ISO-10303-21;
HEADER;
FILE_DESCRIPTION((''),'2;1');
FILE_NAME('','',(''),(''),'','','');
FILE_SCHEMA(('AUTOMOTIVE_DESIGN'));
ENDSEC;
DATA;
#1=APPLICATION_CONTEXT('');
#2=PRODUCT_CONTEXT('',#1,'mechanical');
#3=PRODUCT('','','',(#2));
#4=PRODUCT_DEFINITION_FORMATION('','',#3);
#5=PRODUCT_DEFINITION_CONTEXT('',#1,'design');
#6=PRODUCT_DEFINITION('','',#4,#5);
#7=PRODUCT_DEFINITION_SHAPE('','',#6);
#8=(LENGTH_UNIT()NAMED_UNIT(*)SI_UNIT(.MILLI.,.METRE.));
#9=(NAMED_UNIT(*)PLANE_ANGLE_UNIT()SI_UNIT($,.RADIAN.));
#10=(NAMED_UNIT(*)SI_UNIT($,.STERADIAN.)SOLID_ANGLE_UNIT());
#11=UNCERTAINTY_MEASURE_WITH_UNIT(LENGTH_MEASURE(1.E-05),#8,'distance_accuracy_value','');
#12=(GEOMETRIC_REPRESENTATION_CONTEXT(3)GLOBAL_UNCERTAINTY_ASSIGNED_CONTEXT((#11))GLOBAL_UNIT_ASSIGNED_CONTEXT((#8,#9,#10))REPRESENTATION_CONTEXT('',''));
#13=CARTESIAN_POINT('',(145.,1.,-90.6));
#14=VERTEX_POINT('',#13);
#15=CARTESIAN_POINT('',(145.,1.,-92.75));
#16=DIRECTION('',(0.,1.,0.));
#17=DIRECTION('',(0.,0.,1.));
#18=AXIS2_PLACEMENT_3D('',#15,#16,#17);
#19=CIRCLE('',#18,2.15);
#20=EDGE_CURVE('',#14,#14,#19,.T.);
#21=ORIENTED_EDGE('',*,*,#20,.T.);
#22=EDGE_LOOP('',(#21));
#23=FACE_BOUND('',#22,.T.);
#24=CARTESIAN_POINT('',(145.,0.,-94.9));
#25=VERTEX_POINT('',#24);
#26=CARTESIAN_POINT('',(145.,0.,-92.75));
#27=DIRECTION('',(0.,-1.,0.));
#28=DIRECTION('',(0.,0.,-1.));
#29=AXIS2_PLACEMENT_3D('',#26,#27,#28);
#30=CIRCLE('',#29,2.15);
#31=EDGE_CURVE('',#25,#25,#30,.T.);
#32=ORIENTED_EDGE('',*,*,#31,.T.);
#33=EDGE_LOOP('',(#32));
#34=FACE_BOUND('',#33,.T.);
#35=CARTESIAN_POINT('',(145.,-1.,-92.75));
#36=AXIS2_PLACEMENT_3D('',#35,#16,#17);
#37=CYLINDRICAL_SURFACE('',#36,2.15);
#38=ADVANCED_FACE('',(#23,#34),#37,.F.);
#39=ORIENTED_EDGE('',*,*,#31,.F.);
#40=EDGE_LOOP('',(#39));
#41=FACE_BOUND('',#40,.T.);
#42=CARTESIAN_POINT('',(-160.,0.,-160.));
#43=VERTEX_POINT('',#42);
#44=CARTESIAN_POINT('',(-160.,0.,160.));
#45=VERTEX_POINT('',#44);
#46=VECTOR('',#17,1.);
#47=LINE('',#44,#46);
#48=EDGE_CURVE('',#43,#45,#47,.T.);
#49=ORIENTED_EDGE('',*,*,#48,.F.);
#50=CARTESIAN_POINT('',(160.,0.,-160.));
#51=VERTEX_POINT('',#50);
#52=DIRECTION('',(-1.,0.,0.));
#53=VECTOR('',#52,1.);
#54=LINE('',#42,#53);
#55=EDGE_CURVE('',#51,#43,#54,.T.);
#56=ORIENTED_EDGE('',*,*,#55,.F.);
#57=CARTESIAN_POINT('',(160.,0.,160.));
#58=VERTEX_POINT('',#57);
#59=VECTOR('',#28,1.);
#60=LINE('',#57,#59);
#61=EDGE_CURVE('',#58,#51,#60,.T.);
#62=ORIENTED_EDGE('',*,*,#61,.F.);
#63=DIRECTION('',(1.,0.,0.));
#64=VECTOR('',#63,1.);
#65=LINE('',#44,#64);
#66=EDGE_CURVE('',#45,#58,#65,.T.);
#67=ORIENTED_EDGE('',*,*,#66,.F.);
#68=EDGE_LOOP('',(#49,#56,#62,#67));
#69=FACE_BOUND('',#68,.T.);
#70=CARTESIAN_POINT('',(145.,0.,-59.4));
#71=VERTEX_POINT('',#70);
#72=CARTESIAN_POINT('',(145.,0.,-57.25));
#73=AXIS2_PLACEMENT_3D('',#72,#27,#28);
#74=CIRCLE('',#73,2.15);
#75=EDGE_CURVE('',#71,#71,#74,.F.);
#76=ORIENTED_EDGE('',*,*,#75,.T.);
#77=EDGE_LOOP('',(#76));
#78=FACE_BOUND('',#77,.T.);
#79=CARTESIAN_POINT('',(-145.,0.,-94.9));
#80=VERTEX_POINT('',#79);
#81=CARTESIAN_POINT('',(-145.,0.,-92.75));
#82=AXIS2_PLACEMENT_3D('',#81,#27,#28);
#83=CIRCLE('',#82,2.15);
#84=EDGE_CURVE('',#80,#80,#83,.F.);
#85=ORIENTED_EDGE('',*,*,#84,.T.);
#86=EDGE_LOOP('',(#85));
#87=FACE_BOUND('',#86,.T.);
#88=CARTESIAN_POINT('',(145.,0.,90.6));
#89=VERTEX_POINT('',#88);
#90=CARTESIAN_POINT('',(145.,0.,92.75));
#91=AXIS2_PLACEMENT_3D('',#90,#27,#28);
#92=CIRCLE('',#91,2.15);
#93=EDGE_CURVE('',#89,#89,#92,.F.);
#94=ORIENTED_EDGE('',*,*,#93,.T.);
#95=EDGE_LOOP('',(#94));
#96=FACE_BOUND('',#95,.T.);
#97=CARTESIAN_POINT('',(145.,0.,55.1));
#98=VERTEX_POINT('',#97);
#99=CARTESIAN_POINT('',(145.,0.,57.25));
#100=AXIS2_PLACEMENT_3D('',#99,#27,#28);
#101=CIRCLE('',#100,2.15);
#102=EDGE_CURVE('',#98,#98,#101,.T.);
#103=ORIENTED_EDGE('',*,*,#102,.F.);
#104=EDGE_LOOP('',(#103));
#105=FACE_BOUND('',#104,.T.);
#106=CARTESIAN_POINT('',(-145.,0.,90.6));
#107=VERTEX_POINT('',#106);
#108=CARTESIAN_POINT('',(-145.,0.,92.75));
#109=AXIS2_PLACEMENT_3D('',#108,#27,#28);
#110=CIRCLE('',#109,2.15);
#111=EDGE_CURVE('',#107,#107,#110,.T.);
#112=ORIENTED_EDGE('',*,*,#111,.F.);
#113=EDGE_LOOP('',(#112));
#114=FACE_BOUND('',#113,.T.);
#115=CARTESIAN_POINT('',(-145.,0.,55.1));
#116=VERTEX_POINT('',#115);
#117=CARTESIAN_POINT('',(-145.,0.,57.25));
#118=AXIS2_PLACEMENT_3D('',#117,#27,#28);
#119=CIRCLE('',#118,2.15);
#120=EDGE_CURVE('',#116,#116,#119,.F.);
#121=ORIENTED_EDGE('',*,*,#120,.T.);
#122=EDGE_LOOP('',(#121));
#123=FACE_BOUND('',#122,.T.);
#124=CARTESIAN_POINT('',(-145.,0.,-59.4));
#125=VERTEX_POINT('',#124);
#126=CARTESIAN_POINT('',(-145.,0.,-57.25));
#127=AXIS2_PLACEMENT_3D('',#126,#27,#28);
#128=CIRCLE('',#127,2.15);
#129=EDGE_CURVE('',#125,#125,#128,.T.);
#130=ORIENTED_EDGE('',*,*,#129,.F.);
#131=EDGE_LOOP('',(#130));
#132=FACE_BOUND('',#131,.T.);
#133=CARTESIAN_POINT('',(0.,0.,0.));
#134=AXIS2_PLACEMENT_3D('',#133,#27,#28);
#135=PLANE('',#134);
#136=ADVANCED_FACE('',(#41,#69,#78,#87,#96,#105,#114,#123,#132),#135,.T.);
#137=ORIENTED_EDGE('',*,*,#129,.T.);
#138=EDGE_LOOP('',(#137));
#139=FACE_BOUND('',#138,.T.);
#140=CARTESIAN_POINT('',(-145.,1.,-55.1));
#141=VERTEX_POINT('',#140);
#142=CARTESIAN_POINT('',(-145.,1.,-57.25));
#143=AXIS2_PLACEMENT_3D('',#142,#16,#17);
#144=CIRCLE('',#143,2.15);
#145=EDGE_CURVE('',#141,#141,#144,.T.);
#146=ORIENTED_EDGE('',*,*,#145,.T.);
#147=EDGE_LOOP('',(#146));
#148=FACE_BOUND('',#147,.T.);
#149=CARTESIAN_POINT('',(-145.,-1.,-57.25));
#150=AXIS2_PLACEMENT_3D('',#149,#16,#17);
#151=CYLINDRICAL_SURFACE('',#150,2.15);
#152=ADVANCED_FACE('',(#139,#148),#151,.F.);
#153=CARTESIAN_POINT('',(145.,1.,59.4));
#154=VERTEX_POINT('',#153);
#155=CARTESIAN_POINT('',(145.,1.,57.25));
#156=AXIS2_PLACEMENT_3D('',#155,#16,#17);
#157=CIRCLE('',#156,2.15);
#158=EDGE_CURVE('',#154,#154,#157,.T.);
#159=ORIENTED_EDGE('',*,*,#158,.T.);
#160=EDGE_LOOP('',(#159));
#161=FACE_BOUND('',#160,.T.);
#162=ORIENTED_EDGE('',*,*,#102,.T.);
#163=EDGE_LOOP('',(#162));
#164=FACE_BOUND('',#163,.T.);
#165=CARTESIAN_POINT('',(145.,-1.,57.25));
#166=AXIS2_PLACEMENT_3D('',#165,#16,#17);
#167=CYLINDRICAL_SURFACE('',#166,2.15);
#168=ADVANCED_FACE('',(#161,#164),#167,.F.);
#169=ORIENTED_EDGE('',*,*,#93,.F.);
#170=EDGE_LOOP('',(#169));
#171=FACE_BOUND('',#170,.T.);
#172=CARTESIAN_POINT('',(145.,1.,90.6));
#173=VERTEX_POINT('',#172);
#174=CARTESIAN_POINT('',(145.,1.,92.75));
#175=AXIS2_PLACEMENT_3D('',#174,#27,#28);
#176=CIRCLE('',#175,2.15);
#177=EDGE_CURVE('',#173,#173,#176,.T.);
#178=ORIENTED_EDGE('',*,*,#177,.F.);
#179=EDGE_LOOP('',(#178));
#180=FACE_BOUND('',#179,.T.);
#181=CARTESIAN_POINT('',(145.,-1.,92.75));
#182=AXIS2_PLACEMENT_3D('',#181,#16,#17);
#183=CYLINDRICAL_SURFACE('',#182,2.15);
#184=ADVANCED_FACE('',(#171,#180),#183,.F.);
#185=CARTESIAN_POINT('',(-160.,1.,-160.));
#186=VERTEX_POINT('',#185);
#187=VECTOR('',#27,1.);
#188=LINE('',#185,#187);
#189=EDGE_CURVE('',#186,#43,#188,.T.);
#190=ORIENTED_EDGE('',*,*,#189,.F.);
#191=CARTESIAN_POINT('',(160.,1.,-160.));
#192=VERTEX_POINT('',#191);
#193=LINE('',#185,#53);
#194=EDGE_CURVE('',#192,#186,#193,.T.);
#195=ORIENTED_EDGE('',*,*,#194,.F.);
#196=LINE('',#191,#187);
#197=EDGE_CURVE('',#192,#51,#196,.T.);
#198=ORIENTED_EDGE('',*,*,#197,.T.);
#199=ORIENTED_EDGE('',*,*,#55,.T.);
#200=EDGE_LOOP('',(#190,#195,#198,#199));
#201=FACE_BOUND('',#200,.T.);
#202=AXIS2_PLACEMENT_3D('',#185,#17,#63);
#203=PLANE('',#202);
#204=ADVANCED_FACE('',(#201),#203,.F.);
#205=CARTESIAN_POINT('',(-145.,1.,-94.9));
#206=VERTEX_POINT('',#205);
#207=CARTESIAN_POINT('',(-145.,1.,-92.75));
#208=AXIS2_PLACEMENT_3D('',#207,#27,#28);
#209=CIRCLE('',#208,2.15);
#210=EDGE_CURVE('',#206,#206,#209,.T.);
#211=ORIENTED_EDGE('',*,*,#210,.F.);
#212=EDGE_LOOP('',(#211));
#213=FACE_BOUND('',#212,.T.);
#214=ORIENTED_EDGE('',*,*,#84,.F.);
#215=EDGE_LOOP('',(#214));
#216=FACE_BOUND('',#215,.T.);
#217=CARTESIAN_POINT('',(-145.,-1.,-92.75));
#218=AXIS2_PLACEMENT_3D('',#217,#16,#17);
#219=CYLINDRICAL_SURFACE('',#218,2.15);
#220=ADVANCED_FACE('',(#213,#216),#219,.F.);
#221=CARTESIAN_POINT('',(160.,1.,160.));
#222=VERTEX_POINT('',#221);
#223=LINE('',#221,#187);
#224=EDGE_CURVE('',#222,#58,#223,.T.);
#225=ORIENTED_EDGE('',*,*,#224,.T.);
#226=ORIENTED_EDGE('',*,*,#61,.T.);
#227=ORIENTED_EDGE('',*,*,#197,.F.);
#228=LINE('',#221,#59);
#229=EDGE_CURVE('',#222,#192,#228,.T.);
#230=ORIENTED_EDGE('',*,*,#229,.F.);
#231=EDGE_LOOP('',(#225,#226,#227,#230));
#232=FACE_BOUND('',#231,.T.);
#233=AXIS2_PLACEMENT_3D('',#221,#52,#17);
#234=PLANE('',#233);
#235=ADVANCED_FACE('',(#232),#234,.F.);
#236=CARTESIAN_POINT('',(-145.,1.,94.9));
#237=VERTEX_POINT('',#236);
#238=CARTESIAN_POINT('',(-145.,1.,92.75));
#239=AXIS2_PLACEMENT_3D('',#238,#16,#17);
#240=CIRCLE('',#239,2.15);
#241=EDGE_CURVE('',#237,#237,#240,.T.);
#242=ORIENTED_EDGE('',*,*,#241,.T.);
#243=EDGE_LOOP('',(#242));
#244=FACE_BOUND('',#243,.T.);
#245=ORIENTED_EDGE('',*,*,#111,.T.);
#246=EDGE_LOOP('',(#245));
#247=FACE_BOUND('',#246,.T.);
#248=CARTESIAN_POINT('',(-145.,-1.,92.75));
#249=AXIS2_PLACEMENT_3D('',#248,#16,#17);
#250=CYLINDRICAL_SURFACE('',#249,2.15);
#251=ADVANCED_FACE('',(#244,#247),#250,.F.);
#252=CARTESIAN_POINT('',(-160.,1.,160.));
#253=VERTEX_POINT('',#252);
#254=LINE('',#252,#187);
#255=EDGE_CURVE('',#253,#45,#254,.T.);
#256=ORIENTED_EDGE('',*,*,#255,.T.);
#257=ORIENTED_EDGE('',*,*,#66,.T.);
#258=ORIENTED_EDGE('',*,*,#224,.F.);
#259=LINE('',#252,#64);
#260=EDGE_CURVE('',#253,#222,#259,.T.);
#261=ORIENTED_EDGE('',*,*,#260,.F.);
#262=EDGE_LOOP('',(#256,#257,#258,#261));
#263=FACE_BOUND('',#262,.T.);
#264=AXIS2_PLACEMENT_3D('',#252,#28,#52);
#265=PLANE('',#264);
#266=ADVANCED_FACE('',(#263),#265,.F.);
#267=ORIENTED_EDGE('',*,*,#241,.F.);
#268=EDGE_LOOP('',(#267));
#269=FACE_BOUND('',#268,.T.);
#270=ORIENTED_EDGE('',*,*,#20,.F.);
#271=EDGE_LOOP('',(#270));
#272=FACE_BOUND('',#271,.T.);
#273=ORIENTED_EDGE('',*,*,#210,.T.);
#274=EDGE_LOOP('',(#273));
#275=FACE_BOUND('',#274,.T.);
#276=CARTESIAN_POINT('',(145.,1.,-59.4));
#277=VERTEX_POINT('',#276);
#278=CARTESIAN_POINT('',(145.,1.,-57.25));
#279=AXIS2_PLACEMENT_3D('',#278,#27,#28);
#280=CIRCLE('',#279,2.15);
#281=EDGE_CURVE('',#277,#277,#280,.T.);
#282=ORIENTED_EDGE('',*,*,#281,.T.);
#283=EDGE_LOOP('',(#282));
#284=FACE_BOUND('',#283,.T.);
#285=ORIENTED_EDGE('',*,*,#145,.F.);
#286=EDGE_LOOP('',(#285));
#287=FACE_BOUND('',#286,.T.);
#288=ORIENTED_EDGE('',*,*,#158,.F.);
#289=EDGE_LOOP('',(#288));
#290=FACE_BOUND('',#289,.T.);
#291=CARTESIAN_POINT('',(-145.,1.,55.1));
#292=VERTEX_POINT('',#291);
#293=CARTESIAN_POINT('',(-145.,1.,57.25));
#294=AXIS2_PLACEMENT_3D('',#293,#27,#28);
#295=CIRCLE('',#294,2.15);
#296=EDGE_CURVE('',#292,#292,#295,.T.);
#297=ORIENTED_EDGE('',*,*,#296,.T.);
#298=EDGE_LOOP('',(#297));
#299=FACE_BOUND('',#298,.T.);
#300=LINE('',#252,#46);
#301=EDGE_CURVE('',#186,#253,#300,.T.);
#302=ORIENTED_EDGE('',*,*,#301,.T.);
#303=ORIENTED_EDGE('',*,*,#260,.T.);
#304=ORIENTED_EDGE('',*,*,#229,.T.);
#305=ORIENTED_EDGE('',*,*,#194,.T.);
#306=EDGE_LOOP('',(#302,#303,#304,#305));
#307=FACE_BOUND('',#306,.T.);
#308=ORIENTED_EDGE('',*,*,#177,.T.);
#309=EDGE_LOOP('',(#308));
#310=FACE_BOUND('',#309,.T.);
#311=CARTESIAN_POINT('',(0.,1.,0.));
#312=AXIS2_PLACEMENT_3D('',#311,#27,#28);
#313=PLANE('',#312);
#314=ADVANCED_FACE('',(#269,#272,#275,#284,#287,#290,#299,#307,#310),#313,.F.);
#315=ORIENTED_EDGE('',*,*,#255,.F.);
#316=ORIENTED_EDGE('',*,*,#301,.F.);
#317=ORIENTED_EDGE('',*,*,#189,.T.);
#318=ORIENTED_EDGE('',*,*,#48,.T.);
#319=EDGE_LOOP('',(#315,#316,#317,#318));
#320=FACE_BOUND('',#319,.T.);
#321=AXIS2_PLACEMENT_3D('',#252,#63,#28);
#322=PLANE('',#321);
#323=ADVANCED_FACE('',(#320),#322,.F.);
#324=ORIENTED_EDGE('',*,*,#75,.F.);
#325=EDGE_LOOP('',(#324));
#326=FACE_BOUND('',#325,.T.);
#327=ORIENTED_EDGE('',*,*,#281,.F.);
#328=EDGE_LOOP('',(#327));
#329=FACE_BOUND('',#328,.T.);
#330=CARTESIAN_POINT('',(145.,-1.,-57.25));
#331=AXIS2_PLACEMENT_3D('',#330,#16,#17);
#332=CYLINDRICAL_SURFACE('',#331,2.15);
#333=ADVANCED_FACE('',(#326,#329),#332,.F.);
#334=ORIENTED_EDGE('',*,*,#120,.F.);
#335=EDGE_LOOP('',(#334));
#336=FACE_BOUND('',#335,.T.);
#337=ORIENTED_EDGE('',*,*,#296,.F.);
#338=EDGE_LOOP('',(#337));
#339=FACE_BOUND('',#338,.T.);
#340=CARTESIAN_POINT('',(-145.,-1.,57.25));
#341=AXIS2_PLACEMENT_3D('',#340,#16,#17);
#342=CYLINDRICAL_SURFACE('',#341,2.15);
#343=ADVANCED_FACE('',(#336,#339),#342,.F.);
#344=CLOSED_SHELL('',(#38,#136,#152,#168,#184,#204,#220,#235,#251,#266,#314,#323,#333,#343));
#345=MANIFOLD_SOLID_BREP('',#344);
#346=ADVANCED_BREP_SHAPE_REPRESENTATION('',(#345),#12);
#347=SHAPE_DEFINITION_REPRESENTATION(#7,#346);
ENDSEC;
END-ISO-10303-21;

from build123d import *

# Parameters (mm, degrees)
SKIZZE1_W                       = 320
SKIZZE1_H                       = 320
AUFSATZ_LINEAR_AUSTRAGEN1_DEPTH = 1
SKIZZE2_R                       = 2.15
SCHNITT_LINEAR_AUSTRAGEN1_DEPTH = 2


with BuildPart() as part:
    # Skizze1 → Aufsatz-Linear austragen1 (new body)
    with BuildSketch(Plane(origin=(0, 0, 0), x_dir=(1, 0, 0), z_dir=(0, 1, 0))):
        Rectangle(SKIZZE1_W, SKIZZE1_H)
    extrude(amount=AUFSATZ_LINEAR_AUSTRAGEN1_DEPTH)

    # Skizze2 → Schnitt-Linear austragen1 (cut)
    with BuildSketch(Plane(origin=(0, 1, 0), x_dir=(1, 0, 0), z_dir=(0, 1, 0))):
        with Locations(Location((145, 92.75, 0), (0, 0, 270))):
            Circle(SKIZZE2_R)
        with Locations(Location((145, 57.25, 0), (0, 0, 90))):
            Circle(SKIZZE2_R)
        with Locations(Location((145, -57.25, 0), (0, 0, 270))):
            Circle(SKIZZE2_R)
        with Locations(Location((145, -92.75, 0), (0, 0, 90))):
            Circle(SKIZZE2_R)
        with Locations(Location((-145, 92.75, 0), (0, 0, 90))):
            Circle(SKIZZE2_R)
        with Locations(Location((-145, 57.25, 0), (0, 0, 270))):
            Circle(SKIZZE2_R)
        with Locations(Location((-145, -92.75, 0), (0, 0, 270))):
            Circle(SKIZZE2_R)
        with Locations(Location((-145, -57.25, 0), (0, 0, 90))):
            Circle(SKIZZE2_R)
    extrude(amount=-SCHNITT_LINEAR_AUSTRAGEN1_DEPTH, mode=Mode.SUBTRACT)


solid = part.part
